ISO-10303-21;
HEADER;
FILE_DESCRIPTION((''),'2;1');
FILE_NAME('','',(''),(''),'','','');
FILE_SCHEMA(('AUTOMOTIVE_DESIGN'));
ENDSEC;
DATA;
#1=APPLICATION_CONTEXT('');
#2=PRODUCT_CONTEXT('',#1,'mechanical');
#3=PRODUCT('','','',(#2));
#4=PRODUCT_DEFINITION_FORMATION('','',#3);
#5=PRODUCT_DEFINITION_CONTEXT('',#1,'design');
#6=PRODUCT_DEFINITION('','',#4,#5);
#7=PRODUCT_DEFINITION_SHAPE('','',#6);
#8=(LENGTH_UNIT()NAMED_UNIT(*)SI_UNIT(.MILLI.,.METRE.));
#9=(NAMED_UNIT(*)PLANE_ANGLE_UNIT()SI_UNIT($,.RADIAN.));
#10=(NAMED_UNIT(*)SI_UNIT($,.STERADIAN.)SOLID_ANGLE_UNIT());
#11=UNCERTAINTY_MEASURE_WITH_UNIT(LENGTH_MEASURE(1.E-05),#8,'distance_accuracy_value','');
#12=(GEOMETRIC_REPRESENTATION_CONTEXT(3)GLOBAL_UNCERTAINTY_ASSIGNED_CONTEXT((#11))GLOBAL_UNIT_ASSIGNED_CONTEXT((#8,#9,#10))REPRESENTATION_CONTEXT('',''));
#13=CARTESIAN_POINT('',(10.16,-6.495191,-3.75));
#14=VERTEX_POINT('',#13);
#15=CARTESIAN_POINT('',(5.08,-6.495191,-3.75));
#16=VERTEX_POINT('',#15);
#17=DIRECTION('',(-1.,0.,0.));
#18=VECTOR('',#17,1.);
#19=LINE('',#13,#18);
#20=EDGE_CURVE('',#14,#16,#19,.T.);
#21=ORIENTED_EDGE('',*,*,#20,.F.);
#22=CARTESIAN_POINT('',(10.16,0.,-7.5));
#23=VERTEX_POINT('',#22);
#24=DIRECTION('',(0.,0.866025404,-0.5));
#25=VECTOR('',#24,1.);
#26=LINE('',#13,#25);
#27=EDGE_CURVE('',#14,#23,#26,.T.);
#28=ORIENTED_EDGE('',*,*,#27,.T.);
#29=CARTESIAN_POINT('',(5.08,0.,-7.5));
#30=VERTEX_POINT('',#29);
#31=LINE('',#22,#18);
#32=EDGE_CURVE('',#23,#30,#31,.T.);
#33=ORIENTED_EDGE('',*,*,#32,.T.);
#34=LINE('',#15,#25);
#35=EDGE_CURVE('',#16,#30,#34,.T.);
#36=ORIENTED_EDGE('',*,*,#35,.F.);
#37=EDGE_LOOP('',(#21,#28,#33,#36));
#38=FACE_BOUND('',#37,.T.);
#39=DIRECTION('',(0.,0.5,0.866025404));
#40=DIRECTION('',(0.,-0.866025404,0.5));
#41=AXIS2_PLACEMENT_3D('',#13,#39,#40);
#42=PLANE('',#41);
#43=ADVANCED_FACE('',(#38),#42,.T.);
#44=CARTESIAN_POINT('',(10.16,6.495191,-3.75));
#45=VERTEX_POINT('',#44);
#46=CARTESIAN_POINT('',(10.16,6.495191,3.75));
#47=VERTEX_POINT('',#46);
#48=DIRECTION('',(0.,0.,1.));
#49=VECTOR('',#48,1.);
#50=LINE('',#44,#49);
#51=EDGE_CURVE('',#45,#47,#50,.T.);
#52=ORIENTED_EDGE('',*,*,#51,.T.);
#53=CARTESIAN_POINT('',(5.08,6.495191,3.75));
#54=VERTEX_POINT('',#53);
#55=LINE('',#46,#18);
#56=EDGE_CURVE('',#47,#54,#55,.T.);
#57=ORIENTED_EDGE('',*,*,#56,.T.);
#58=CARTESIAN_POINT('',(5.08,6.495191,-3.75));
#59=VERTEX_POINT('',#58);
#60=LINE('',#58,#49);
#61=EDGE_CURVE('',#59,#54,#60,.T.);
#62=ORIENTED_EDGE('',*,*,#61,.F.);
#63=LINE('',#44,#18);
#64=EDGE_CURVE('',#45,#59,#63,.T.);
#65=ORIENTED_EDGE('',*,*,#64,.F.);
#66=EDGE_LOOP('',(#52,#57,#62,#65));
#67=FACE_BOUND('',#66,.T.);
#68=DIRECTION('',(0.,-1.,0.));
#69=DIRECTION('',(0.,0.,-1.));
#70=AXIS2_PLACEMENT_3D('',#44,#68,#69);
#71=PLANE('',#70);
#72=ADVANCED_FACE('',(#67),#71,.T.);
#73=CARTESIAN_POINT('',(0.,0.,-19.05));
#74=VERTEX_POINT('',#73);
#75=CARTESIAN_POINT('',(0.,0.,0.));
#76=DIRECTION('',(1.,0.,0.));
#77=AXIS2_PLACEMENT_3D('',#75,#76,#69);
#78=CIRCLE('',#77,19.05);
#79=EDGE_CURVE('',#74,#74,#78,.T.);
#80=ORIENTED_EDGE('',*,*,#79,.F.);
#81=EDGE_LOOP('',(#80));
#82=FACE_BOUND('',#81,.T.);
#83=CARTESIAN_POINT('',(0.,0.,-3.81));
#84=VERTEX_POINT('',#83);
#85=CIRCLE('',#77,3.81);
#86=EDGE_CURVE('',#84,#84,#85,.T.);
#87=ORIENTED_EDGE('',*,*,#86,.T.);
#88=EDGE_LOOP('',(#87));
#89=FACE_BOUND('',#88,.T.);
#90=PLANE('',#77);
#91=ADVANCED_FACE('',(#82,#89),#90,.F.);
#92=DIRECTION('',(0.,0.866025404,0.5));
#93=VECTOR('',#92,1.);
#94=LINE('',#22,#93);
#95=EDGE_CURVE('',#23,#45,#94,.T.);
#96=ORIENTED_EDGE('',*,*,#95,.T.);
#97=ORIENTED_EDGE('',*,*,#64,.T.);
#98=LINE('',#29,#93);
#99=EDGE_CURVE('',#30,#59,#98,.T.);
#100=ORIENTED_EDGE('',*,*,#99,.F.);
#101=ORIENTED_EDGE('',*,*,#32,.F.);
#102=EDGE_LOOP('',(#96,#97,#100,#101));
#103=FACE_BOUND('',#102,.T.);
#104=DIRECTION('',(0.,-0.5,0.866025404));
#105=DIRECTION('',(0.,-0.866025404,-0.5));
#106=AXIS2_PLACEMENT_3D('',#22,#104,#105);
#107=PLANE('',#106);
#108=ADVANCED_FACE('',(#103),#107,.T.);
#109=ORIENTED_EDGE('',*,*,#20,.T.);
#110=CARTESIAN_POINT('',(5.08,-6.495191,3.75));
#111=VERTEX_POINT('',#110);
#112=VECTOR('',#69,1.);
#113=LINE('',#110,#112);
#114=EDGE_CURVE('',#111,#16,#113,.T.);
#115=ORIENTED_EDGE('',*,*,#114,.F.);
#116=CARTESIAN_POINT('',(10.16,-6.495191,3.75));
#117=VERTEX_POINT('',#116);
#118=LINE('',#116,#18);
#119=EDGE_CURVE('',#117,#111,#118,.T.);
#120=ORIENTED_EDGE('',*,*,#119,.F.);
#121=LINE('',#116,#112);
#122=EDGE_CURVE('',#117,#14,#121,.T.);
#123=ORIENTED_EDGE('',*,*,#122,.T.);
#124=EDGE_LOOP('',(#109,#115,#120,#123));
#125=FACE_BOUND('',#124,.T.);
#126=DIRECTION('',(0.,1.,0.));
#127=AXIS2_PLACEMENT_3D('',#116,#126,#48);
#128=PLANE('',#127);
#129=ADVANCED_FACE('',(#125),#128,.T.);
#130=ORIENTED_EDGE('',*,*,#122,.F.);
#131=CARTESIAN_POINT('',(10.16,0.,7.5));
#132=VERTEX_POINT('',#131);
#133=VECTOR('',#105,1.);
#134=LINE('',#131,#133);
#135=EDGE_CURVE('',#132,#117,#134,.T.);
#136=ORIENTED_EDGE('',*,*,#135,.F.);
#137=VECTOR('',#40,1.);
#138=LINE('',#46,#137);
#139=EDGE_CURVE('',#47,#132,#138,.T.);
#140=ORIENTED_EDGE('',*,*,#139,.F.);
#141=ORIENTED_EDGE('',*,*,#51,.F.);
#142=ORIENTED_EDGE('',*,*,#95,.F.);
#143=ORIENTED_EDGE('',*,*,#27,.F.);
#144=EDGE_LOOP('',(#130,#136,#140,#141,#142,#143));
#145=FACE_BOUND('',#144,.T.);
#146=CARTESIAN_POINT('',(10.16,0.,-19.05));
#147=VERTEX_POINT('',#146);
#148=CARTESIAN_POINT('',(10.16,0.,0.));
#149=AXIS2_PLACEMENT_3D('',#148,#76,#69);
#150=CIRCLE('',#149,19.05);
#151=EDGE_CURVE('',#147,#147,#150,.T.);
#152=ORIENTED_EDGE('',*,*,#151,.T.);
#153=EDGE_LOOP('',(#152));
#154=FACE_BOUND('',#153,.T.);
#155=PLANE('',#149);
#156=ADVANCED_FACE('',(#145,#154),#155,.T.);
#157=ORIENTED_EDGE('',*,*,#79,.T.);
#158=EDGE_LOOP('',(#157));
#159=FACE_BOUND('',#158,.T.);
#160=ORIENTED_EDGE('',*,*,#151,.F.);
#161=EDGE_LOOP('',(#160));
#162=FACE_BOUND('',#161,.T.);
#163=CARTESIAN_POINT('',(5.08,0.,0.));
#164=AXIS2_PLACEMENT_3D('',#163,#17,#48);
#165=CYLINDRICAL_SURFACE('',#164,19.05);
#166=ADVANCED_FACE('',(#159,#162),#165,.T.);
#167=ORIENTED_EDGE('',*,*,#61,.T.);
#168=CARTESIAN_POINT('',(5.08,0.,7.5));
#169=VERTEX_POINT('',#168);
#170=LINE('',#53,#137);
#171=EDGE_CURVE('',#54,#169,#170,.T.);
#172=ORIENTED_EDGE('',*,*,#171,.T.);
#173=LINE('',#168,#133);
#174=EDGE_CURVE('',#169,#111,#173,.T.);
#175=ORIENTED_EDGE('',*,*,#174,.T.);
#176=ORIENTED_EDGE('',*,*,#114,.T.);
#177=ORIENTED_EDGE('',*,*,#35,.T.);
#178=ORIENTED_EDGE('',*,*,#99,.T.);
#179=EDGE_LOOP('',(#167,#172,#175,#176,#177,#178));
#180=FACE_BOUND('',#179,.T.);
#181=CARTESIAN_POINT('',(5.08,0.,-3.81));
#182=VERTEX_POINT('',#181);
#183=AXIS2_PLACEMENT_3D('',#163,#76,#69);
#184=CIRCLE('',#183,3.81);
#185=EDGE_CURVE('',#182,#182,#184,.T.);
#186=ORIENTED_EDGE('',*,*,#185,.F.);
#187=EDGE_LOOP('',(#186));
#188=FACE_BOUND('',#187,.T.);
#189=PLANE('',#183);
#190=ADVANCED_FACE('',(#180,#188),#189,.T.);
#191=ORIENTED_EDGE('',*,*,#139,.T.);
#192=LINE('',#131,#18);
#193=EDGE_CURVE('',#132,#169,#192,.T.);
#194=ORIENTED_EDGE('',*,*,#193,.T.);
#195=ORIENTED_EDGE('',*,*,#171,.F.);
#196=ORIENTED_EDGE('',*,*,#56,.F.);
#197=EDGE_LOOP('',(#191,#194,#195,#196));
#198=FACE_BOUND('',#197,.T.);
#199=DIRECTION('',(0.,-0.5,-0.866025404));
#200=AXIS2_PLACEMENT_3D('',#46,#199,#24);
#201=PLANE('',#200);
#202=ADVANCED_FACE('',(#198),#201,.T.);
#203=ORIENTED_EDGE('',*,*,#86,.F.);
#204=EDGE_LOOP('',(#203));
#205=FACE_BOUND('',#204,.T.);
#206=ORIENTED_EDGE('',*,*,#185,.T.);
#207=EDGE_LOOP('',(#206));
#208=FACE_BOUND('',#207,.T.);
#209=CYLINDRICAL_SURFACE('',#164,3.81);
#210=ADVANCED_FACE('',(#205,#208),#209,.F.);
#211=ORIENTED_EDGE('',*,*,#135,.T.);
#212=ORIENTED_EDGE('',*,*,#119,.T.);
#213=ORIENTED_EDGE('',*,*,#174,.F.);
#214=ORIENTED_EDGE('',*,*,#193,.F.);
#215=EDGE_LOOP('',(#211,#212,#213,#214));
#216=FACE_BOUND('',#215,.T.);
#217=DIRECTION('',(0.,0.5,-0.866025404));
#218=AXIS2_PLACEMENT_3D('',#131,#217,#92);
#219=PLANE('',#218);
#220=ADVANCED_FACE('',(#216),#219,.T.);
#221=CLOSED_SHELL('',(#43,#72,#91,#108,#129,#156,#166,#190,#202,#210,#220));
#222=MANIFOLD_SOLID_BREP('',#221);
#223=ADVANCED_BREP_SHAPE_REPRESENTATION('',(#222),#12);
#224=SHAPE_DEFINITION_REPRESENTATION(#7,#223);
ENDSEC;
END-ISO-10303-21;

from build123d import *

# Parameters (mm, degrees)
SKETCH1_R           = 19.05
SKETCH1_R_2         = 3.81
BOSS_EXTRUDE1_DEPTH = 5.08
SKETCH2_R           = 19.05
BOSS_EXTRUDE2_DEPTH = 5.08


with BuildPart() as part:
    # Sketch1 → Boss-Extrude1 (new body)
    with BuildSketch(Plane(origin=(0, 0, 0), x_dir=(0, 0, -1), z_dir=(1, 0, 0))):
        Circle(SKETCH1_R)
        Circle(SKETCH1_R_2, mode=Mode.SUBTRACT)
    extrude(amount=BOSS_EXTRUDE1_DEPTH)

    # Sketch2 → Boss-Extrude2 (add)
    with BuildSketch(Plane(origin=(5.08, 0, 0), x_dir=(0, 0, -1), z_dir=(1, 0, 0))):
        Circle(SKETCH2_R)
        Polygon((7.5, 0), (3.75, 6.495190528), (-3.75, 6.495190528), (-7.5, 0), (-3.75, -6.495190528), (3.75, -6.495190528), align=None, mode=Mode.SUBTRACT)
    extrude(amount=BOSS_EXTRUDE2_DEPTH)


solid = part.part
